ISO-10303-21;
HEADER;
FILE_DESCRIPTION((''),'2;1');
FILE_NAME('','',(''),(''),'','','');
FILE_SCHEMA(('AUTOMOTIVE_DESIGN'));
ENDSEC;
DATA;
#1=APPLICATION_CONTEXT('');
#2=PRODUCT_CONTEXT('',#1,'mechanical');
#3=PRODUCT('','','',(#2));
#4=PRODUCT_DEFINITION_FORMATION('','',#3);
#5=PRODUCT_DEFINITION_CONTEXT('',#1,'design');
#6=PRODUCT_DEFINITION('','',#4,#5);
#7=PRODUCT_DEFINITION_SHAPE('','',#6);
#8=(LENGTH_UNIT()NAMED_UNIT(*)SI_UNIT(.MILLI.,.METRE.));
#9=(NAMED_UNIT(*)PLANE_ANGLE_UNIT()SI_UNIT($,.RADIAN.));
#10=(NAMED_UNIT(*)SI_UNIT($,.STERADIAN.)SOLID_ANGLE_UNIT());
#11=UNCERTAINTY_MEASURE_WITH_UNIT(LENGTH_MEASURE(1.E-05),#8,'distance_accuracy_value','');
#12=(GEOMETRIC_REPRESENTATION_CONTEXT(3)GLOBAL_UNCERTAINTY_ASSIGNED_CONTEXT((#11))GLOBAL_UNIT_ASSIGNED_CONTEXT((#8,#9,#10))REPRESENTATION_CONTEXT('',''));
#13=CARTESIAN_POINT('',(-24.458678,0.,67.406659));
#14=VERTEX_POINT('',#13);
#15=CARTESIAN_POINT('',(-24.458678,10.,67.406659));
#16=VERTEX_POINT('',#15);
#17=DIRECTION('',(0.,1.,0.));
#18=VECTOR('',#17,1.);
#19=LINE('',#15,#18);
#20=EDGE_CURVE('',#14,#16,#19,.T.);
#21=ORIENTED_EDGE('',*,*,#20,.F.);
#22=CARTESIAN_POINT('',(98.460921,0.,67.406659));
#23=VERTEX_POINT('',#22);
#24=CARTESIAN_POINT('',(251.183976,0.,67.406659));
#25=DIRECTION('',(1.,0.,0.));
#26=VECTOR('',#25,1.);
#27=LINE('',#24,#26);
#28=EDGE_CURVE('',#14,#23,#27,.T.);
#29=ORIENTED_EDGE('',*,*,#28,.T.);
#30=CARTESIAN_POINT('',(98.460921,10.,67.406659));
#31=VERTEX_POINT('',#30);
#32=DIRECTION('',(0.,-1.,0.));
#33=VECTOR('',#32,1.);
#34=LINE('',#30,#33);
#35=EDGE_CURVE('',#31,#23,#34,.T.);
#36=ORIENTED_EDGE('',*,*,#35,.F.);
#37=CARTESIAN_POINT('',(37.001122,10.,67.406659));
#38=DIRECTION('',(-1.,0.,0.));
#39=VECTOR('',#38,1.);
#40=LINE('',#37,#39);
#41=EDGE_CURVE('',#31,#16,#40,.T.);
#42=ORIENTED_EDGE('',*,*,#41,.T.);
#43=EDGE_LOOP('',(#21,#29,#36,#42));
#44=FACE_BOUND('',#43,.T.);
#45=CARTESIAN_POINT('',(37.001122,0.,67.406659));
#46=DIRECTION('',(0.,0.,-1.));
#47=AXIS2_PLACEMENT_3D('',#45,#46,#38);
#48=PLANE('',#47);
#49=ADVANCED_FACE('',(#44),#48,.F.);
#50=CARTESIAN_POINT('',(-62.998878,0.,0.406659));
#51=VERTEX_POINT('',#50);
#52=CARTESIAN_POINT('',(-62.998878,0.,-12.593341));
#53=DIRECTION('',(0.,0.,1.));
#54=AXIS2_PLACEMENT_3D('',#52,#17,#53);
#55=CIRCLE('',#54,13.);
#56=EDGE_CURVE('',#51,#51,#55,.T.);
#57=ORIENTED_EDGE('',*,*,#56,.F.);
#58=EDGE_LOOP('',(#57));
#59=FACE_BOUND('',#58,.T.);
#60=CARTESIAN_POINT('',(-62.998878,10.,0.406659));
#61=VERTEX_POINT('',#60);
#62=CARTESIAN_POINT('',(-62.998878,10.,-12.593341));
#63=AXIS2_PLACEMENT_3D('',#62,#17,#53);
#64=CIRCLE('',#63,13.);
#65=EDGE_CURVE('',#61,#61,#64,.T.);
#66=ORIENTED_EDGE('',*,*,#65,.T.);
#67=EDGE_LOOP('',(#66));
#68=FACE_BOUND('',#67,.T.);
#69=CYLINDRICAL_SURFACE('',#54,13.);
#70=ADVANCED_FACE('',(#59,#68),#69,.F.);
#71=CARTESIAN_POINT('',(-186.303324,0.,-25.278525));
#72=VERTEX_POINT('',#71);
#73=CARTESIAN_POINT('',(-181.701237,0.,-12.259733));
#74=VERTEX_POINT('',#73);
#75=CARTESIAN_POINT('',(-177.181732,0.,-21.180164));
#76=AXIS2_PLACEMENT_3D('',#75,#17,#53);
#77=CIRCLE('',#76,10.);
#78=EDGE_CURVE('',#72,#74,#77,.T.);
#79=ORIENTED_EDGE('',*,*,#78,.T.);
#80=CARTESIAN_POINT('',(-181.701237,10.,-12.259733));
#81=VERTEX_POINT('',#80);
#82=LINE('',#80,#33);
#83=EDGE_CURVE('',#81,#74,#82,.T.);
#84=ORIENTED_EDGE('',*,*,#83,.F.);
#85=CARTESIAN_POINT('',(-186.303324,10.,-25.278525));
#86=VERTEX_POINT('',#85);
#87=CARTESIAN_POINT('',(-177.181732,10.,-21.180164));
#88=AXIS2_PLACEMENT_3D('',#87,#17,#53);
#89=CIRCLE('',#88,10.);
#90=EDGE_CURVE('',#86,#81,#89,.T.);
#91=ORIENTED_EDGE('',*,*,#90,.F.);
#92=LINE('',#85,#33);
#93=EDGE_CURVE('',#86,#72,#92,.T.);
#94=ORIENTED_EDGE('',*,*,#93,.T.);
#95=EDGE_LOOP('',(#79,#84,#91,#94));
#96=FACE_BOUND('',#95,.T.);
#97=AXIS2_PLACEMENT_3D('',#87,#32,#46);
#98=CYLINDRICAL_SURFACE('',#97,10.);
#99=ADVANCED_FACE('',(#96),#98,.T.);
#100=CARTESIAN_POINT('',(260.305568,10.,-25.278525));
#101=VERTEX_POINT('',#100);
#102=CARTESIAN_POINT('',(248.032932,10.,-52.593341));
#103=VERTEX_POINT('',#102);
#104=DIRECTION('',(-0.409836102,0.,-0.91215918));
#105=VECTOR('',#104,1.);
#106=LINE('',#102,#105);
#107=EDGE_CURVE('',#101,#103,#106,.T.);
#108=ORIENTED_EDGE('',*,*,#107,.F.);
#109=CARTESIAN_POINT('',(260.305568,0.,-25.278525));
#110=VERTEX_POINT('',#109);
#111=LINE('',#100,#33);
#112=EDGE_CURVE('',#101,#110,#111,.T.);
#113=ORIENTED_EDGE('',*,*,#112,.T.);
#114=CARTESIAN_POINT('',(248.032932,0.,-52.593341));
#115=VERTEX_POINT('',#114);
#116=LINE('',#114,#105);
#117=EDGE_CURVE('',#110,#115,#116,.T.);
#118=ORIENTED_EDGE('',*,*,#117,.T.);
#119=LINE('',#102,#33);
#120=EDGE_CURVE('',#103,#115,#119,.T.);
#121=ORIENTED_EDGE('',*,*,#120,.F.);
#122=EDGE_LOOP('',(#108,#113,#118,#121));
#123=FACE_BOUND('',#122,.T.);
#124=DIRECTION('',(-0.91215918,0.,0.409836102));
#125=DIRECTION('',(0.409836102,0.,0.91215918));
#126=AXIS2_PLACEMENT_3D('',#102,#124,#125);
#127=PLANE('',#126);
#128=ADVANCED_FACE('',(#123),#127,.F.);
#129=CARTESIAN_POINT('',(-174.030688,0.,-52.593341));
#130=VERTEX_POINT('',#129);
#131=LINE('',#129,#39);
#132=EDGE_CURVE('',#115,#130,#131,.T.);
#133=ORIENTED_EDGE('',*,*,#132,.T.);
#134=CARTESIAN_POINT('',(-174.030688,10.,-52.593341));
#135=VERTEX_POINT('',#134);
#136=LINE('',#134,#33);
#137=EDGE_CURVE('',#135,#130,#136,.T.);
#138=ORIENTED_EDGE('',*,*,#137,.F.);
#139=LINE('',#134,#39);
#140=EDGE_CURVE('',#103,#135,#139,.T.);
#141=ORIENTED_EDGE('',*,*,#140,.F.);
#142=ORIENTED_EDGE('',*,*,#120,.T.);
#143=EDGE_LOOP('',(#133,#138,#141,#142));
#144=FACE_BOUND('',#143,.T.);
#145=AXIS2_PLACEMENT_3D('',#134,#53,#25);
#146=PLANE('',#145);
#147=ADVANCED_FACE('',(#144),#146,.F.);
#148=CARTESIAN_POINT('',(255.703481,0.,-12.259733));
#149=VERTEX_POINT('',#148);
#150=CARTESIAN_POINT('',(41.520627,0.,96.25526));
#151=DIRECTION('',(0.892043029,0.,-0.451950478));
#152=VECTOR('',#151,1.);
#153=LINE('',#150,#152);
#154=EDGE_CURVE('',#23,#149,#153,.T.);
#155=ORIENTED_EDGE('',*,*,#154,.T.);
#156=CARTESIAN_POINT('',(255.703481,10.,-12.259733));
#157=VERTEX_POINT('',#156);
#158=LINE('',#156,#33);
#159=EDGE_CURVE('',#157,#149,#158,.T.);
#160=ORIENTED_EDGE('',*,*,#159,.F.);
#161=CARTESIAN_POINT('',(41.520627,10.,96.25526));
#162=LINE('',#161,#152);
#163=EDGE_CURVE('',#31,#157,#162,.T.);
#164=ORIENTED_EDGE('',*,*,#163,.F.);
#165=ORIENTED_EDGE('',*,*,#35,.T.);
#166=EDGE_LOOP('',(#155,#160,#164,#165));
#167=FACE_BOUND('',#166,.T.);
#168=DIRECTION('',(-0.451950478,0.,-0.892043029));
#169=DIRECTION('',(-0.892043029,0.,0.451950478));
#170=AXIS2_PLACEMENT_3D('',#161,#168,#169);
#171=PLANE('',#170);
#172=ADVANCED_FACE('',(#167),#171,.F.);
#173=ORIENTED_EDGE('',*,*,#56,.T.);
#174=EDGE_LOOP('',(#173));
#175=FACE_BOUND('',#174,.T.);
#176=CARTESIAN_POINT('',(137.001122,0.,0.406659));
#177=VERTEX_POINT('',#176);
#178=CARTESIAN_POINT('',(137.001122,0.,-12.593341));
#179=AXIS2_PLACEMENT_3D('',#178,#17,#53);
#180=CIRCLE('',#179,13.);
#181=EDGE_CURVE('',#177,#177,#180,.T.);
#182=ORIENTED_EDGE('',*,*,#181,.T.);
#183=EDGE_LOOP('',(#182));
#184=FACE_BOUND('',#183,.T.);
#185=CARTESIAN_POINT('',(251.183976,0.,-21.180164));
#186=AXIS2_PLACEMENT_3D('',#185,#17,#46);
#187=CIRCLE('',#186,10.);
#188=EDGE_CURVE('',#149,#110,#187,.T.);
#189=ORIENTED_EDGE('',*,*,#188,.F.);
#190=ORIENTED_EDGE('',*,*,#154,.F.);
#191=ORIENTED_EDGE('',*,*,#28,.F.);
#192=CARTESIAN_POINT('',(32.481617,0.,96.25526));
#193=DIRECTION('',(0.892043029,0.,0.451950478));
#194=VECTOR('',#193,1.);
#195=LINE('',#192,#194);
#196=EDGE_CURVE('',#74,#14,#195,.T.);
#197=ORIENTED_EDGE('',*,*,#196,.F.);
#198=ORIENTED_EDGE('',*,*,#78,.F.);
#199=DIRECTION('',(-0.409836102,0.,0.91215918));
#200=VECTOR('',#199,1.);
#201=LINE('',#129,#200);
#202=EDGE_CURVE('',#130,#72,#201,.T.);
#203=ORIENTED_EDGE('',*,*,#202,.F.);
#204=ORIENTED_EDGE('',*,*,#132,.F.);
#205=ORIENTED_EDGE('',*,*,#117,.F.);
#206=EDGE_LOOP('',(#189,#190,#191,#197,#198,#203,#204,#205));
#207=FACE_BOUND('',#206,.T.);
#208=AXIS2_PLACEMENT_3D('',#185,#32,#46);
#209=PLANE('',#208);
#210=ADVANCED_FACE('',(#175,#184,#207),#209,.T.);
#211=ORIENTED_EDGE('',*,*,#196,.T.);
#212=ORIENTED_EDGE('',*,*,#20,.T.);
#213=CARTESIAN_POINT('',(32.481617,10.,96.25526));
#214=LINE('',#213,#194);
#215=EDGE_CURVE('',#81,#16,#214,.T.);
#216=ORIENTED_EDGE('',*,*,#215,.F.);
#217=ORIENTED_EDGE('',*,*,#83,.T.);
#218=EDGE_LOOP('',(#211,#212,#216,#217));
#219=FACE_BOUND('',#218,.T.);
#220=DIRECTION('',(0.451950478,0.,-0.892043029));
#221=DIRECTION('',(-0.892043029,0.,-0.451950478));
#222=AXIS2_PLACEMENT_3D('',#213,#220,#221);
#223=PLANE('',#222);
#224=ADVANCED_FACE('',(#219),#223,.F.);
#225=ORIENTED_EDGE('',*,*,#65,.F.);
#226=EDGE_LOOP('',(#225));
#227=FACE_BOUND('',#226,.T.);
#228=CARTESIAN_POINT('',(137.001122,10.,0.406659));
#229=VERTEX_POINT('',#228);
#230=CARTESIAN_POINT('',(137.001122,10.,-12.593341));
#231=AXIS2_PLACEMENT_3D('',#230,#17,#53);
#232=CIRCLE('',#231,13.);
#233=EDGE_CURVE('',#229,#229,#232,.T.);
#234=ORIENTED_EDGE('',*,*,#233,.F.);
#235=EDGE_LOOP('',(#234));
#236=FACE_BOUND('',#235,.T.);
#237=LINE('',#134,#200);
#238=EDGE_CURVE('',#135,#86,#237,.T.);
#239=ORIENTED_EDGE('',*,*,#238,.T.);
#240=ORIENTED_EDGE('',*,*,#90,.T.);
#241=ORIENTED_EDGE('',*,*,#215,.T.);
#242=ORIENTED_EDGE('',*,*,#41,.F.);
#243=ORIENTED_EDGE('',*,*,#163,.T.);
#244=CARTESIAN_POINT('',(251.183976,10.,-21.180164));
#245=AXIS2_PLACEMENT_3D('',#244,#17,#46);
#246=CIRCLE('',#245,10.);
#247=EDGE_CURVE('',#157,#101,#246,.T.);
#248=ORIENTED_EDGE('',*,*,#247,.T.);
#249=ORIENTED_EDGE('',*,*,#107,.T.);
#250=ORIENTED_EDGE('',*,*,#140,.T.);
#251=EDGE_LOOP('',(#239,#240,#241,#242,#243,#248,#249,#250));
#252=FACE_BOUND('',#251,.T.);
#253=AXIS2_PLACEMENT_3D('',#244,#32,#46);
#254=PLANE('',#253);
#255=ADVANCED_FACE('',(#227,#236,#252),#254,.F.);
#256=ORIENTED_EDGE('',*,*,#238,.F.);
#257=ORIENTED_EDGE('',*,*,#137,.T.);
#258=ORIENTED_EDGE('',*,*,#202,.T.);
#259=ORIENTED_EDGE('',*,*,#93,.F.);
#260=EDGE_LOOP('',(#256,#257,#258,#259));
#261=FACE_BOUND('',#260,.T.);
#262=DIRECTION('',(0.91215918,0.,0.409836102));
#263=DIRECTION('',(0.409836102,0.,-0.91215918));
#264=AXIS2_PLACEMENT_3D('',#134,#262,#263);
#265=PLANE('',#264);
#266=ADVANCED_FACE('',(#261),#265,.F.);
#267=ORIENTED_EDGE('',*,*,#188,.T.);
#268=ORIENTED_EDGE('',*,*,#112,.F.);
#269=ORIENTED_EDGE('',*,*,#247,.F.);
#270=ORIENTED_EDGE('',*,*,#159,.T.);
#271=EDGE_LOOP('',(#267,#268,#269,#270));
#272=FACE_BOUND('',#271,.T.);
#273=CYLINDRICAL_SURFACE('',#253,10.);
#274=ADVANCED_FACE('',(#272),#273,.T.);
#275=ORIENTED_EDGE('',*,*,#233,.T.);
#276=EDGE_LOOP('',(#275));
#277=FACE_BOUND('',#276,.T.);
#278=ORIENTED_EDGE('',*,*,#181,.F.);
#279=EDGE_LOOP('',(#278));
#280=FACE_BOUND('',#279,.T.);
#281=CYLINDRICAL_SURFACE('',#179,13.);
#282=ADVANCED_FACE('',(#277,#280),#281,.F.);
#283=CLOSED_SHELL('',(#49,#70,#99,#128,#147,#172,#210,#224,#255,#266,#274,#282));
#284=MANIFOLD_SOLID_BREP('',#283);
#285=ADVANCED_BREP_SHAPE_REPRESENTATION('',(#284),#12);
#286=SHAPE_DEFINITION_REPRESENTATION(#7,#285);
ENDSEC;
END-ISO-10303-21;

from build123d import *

# Parameters (mm, degrees)
BOSS_EXTRUDE1_DEPTH = 10
SKETCH2_R           = 13
CUT_EXTRUDE1_DEPTH  = 10
CUT_EXTRUDE2_DEPTH  = 10


with BuildPart() as part:
    # Sketch1 → Boss-Extrude1 (new body)
    with BuildSketch(Plane(origin=(0, 0, 0), x_dir=(1, 0, 0), z_dir=(0, 1, 0))):
        with BuildLine():
            Line((248.032931618, 52.593341059), (260.305567907, 25.2785247))
            ThreePointArc((260.305567907, 25.2785247), (260.612237386, 17.847313664), (255.703480887, 12.259733394))
            Line((255.703480887, 12.259733394), (41.520626689, -96.255259938))
            ThreePointArc((41.520626689, -96.255259938), (37.001121909, -97.334829649), (32.481617129, -96.255259938))
            Line((32.481617129, -96.255259938), (-181.70123707, 12.259733394))
            ThreePointArc((-181.70123707, 12.259733394), (-186.609993569, 17.847313664), (-186.30332409, 25.2785247))
            Line((-186.30332409, 25.2785247), (-174.0306878, 52.593341059))
            Line((-174.0306878, 52.593341059), (248.032931618, 52.593341059))
        make_face()
    extrude(amount=BOSS_EXTRUDE1_DEPTH)

    # Sketch2 → Cut-Extrude1 (cut)
    with BuildSketch(Plane(origin=(0, 10, 0), x_dir=(1, 0, 0), z_dir=(0, 1, 0))):
        with Locations(Location((137.001121909, 12.593341059, 0), (0, 0, 270))):
            Circle(SKETCH2_R)
        with Locations(Location((-62.998878091, 12.593341059, 0), (0, 0, 270))):
            Circle(SKETCH2_R)
    extrude(amount=-CUT_EXTRUDE1_DEPTH, mode=Mode.SUBTRACT)

    # Sketch3 → Cut-Extrude2 (cut)
    with BuildSketch(Plane(origin=(0, 10, 0), x_dir=(1, 0, 0), z_dir=(0, 1, 0))):
        Polygon((37.001121909, -67.406658941), (125.459060888, -67.406658941), (125.459060888, -160.473444946), (-80.94279673, -160.473444946), (-80.94279673, -67.406658941), align=None)
    extrude(amount=-CUT_EXTRUDE2_DEPTH, mode=Mode.SUBTRACT)


solid = part.part
